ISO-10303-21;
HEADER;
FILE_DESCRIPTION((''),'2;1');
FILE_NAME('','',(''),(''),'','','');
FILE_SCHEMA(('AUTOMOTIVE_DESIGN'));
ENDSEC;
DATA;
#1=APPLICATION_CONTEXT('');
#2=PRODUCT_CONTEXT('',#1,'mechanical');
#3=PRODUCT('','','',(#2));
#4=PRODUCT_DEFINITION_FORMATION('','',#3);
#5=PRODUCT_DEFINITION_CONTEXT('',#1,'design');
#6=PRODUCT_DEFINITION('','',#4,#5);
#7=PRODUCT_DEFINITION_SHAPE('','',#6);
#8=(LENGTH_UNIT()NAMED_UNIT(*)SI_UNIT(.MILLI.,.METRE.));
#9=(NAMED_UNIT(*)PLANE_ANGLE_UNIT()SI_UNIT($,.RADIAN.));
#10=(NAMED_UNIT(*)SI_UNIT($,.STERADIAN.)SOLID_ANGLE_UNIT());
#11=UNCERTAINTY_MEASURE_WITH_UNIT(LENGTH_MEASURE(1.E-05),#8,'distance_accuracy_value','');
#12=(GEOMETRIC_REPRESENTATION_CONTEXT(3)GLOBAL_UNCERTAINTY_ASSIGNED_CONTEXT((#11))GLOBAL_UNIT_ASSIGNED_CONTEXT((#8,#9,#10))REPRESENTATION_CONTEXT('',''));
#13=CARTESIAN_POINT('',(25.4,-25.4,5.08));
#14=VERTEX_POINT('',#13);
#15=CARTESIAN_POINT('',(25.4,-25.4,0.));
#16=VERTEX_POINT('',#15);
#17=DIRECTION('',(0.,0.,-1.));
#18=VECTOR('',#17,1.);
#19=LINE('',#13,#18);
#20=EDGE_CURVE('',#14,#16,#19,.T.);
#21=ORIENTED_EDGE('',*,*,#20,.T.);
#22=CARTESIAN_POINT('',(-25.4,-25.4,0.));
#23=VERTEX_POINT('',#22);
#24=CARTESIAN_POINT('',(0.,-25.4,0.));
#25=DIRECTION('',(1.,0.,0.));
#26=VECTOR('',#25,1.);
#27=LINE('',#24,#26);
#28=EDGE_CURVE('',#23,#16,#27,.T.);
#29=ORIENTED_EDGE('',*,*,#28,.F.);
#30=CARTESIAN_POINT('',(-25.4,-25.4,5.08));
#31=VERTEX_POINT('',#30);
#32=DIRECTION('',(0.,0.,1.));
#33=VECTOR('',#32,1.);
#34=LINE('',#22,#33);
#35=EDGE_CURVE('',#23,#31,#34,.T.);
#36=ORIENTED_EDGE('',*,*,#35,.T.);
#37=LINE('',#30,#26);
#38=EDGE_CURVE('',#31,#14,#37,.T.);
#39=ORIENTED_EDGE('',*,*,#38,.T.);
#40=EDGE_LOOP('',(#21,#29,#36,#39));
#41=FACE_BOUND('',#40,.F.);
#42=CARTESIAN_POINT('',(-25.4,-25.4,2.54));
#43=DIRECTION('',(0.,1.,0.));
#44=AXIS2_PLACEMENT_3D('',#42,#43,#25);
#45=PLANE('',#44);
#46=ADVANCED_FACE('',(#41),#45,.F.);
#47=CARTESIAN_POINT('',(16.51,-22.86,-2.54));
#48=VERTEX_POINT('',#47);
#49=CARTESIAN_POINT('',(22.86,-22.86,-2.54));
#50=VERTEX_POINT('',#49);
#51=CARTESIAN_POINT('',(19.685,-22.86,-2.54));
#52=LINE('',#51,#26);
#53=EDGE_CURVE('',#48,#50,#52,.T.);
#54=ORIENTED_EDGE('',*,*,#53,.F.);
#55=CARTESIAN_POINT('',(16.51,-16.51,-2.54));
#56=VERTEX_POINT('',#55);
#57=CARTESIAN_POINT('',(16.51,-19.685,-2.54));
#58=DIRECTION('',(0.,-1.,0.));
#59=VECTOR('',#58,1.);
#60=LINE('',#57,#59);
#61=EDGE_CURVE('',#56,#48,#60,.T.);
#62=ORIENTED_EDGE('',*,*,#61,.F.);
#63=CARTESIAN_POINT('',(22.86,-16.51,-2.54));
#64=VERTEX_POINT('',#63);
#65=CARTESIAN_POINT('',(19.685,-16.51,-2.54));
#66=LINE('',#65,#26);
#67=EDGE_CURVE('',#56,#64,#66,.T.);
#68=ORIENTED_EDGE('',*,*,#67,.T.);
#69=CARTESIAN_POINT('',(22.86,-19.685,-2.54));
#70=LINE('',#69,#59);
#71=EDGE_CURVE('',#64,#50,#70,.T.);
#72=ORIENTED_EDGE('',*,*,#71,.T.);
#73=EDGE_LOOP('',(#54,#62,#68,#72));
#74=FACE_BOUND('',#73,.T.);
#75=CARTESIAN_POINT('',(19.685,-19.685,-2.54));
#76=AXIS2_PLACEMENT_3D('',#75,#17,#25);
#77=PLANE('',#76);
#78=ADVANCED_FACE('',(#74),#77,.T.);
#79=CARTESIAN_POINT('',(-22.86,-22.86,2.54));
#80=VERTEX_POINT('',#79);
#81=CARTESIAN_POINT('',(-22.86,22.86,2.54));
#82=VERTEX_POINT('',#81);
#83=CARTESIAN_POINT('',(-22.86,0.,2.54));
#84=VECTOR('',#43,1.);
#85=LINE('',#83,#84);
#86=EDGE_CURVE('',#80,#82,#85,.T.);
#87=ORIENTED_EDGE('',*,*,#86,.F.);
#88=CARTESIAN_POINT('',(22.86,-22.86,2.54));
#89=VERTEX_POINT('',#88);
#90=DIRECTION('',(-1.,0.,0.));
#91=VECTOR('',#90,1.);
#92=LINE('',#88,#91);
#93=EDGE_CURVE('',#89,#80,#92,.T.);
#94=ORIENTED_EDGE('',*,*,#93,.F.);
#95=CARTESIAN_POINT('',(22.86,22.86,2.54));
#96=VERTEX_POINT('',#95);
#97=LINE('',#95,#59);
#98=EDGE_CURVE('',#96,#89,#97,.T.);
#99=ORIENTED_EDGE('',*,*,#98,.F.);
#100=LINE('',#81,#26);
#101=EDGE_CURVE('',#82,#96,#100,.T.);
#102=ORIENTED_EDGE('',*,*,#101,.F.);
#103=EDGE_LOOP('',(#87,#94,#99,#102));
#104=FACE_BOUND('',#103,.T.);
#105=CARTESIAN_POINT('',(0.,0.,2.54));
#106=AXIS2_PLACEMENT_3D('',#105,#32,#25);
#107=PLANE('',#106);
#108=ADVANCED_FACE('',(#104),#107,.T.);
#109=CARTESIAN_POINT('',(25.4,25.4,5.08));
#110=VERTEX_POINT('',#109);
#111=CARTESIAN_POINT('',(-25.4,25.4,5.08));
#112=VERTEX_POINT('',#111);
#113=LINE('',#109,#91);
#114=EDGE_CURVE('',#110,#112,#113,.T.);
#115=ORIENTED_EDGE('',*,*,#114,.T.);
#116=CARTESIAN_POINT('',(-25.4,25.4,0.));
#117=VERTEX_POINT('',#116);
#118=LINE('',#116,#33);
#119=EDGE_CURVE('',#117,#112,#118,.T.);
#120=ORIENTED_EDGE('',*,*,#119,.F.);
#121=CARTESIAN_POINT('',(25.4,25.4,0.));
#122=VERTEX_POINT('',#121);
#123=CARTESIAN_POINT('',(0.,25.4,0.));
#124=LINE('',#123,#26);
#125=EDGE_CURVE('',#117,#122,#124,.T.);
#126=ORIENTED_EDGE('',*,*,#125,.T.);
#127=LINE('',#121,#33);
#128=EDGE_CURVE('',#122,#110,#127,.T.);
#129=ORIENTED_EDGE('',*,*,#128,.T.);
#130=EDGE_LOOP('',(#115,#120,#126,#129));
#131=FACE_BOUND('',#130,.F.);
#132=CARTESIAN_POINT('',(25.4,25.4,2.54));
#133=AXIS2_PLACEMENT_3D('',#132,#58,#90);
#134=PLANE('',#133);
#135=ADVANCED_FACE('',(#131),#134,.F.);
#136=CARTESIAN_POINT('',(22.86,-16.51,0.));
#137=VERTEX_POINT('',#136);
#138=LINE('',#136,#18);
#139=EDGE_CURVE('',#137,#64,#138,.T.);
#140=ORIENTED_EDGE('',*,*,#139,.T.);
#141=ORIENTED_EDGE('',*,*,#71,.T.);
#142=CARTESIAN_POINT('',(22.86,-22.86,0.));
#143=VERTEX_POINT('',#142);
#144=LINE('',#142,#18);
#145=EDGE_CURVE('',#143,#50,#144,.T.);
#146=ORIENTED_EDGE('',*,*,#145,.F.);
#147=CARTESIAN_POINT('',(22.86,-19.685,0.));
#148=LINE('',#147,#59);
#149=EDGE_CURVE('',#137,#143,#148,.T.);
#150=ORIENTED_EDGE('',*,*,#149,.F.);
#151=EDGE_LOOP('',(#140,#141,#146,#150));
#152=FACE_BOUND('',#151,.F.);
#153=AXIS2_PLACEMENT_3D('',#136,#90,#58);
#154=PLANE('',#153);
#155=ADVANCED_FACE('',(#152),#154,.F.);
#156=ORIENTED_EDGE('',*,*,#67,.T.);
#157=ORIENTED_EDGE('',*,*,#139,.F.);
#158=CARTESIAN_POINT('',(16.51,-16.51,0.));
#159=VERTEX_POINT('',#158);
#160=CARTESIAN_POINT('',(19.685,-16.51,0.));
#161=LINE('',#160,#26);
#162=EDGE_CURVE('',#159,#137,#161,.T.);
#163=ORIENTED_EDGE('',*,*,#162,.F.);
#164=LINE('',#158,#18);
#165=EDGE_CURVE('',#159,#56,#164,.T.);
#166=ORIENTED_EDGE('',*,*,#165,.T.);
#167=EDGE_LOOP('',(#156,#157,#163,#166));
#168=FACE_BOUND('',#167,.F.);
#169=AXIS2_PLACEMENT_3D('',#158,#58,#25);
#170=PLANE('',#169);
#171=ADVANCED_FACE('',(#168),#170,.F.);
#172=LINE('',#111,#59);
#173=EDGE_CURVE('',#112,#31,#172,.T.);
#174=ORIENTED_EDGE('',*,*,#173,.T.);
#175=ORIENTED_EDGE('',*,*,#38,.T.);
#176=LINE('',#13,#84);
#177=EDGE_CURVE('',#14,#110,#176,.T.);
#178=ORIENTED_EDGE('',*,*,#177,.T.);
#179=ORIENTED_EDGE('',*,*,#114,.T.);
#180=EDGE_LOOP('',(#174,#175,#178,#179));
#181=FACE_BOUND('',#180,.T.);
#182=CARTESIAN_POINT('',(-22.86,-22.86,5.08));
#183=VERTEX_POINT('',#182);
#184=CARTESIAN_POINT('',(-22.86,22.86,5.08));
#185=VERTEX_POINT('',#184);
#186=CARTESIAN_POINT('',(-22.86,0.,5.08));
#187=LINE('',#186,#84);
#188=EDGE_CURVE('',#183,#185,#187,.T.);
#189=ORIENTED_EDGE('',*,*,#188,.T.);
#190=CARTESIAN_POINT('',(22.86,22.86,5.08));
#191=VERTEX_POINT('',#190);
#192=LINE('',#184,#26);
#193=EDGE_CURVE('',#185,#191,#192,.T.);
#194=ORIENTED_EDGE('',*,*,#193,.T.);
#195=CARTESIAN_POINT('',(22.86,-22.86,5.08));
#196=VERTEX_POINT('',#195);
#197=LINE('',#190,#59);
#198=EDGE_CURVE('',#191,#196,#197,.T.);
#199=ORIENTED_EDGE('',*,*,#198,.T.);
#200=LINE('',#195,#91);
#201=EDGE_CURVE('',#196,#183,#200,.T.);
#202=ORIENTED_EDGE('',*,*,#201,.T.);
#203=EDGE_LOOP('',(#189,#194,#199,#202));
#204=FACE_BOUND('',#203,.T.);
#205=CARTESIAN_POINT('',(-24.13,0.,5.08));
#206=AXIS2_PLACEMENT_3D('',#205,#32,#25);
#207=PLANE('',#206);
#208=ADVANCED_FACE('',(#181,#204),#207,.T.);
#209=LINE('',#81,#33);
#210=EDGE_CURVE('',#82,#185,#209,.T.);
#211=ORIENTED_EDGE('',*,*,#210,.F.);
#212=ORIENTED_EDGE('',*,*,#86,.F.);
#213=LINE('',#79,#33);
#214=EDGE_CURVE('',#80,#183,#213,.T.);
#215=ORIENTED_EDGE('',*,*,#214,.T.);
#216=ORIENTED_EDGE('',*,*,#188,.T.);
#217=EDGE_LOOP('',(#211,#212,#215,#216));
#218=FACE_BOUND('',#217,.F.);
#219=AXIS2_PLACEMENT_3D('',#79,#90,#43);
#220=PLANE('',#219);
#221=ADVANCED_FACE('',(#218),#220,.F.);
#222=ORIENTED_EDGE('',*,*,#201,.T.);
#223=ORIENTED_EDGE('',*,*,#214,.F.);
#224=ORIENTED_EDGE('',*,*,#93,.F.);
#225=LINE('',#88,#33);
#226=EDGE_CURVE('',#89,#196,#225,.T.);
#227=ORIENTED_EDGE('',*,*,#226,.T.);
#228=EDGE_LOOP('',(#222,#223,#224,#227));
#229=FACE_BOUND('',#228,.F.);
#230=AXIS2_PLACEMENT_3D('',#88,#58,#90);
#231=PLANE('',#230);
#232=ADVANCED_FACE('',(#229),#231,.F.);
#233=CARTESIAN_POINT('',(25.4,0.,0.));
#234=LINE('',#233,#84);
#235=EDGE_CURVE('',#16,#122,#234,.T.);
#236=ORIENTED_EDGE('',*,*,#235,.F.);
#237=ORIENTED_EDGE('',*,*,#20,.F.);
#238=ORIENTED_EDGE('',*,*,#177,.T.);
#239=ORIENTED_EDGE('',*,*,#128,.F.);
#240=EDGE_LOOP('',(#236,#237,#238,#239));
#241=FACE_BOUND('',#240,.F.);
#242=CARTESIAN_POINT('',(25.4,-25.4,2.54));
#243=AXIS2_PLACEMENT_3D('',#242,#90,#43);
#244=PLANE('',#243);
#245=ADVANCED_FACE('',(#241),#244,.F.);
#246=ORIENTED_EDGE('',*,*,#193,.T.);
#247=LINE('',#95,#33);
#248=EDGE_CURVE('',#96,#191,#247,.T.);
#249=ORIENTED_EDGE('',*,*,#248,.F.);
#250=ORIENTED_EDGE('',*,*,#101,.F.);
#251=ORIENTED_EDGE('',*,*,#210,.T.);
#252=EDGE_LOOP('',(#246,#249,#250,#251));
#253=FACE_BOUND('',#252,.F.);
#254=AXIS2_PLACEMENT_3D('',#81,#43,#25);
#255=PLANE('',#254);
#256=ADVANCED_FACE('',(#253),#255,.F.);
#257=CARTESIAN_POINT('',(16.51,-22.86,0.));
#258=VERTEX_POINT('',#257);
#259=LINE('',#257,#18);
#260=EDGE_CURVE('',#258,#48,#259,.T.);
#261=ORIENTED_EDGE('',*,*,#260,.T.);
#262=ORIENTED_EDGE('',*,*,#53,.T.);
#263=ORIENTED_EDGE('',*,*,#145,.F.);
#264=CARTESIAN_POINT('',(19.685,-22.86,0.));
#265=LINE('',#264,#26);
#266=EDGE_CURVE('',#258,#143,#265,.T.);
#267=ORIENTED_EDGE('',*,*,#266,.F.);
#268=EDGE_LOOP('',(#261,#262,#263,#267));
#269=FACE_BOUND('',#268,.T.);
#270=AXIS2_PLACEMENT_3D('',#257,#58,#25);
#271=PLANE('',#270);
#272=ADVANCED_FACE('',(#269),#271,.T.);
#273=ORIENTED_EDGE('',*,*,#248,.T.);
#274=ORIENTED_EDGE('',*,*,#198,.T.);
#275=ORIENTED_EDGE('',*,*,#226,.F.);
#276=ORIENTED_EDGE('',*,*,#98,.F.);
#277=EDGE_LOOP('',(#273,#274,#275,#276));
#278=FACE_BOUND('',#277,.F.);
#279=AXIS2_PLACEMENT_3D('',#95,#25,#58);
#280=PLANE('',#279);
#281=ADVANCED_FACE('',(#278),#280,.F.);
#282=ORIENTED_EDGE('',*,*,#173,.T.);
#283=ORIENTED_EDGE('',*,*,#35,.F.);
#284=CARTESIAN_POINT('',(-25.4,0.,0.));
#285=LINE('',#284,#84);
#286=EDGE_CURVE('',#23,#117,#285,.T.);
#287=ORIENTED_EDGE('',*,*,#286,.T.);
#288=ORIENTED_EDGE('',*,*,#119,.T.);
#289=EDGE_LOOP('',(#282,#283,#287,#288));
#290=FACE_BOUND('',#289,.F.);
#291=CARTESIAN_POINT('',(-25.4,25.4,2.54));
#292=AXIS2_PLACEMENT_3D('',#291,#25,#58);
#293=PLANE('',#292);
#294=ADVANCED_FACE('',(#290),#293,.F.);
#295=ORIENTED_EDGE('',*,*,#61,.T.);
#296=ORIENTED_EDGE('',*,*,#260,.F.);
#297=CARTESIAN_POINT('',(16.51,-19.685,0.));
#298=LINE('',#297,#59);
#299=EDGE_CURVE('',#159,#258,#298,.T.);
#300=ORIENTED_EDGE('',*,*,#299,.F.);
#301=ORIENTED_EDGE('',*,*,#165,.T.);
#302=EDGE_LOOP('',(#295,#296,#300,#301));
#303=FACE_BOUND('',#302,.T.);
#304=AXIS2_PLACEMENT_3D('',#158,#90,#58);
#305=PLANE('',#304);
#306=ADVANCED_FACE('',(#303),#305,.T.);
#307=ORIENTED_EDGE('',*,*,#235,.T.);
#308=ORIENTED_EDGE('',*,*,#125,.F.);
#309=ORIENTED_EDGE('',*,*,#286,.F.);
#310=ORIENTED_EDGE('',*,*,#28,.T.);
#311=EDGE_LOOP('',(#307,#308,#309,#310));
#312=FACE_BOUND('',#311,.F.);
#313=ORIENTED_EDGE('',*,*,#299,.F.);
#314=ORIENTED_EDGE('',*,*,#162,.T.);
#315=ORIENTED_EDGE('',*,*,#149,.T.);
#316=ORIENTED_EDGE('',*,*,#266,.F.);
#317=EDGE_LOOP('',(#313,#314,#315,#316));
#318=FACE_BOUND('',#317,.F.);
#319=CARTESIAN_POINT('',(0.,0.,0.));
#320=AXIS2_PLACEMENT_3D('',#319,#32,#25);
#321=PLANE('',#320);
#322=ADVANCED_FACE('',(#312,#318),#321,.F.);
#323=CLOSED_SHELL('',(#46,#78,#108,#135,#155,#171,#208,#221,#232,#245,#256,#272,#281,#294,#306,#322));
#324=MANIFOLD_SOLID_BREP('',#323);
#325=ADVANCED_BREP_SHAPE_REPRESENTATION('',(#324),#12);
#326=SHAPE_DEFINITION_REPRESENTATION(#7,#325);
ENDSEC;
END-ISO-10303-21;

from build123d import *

# Parameters (mm, degrees)
F0_W     = 50.8
F0_H     = 50.8
F1_DEPTH = 2.54
F2_W     = 2.54
F2_H     = 45.72
F3_DEPTH = 2.54
F4_W     = 6.35
F4_H     = 6.35
F5_DEPTH = 2.54


with BuildPart() as f1:
    # F0 (on Top) → F1 (new body)
    with BuildSketch(Plane.XY):
        Rectangle(F0_W, F0_H)
    extrude(amount=F1_DEPTH)

    # F2 (on face) → F3 (join)
    with BuildSketch(Plane.XY.offset(2.54)):
        with Locations((-24.13, 0)):
            Rectangle(F2_W, F2_H)
        Polygon((25.4, 25.4), (-25.4, 25.4), (-25.4, 22.86), (-22.86, 22.86), (22.86, 22.86), (25.4, 22.86), align=None)
        Polygon((25.4, -25.4), (25.4, 22.86), (22.86, 22.86), (22.86, -22.86), (22.86, -25.4), align=None)
        Polygon((-22.86, -22.86), (-25.4, -22.86), (-25.4, -25.4), (22.86, -25.4), (22.86, -22.86), align=None)
    extrude(amount=F3_DEPTH)

    # F4 (on face) → F5 (join)
    with BuildSketch(Plane(origin=(0, 0, 0), x_dir=(1, 0, 0), z_dir=(0, 0, -1))):
        with Locations((19.685, 19.685)):
            Rectangle(F4_W, F4_H)
    extrude(amount=F5_DEPTH)


solid = f1.part
